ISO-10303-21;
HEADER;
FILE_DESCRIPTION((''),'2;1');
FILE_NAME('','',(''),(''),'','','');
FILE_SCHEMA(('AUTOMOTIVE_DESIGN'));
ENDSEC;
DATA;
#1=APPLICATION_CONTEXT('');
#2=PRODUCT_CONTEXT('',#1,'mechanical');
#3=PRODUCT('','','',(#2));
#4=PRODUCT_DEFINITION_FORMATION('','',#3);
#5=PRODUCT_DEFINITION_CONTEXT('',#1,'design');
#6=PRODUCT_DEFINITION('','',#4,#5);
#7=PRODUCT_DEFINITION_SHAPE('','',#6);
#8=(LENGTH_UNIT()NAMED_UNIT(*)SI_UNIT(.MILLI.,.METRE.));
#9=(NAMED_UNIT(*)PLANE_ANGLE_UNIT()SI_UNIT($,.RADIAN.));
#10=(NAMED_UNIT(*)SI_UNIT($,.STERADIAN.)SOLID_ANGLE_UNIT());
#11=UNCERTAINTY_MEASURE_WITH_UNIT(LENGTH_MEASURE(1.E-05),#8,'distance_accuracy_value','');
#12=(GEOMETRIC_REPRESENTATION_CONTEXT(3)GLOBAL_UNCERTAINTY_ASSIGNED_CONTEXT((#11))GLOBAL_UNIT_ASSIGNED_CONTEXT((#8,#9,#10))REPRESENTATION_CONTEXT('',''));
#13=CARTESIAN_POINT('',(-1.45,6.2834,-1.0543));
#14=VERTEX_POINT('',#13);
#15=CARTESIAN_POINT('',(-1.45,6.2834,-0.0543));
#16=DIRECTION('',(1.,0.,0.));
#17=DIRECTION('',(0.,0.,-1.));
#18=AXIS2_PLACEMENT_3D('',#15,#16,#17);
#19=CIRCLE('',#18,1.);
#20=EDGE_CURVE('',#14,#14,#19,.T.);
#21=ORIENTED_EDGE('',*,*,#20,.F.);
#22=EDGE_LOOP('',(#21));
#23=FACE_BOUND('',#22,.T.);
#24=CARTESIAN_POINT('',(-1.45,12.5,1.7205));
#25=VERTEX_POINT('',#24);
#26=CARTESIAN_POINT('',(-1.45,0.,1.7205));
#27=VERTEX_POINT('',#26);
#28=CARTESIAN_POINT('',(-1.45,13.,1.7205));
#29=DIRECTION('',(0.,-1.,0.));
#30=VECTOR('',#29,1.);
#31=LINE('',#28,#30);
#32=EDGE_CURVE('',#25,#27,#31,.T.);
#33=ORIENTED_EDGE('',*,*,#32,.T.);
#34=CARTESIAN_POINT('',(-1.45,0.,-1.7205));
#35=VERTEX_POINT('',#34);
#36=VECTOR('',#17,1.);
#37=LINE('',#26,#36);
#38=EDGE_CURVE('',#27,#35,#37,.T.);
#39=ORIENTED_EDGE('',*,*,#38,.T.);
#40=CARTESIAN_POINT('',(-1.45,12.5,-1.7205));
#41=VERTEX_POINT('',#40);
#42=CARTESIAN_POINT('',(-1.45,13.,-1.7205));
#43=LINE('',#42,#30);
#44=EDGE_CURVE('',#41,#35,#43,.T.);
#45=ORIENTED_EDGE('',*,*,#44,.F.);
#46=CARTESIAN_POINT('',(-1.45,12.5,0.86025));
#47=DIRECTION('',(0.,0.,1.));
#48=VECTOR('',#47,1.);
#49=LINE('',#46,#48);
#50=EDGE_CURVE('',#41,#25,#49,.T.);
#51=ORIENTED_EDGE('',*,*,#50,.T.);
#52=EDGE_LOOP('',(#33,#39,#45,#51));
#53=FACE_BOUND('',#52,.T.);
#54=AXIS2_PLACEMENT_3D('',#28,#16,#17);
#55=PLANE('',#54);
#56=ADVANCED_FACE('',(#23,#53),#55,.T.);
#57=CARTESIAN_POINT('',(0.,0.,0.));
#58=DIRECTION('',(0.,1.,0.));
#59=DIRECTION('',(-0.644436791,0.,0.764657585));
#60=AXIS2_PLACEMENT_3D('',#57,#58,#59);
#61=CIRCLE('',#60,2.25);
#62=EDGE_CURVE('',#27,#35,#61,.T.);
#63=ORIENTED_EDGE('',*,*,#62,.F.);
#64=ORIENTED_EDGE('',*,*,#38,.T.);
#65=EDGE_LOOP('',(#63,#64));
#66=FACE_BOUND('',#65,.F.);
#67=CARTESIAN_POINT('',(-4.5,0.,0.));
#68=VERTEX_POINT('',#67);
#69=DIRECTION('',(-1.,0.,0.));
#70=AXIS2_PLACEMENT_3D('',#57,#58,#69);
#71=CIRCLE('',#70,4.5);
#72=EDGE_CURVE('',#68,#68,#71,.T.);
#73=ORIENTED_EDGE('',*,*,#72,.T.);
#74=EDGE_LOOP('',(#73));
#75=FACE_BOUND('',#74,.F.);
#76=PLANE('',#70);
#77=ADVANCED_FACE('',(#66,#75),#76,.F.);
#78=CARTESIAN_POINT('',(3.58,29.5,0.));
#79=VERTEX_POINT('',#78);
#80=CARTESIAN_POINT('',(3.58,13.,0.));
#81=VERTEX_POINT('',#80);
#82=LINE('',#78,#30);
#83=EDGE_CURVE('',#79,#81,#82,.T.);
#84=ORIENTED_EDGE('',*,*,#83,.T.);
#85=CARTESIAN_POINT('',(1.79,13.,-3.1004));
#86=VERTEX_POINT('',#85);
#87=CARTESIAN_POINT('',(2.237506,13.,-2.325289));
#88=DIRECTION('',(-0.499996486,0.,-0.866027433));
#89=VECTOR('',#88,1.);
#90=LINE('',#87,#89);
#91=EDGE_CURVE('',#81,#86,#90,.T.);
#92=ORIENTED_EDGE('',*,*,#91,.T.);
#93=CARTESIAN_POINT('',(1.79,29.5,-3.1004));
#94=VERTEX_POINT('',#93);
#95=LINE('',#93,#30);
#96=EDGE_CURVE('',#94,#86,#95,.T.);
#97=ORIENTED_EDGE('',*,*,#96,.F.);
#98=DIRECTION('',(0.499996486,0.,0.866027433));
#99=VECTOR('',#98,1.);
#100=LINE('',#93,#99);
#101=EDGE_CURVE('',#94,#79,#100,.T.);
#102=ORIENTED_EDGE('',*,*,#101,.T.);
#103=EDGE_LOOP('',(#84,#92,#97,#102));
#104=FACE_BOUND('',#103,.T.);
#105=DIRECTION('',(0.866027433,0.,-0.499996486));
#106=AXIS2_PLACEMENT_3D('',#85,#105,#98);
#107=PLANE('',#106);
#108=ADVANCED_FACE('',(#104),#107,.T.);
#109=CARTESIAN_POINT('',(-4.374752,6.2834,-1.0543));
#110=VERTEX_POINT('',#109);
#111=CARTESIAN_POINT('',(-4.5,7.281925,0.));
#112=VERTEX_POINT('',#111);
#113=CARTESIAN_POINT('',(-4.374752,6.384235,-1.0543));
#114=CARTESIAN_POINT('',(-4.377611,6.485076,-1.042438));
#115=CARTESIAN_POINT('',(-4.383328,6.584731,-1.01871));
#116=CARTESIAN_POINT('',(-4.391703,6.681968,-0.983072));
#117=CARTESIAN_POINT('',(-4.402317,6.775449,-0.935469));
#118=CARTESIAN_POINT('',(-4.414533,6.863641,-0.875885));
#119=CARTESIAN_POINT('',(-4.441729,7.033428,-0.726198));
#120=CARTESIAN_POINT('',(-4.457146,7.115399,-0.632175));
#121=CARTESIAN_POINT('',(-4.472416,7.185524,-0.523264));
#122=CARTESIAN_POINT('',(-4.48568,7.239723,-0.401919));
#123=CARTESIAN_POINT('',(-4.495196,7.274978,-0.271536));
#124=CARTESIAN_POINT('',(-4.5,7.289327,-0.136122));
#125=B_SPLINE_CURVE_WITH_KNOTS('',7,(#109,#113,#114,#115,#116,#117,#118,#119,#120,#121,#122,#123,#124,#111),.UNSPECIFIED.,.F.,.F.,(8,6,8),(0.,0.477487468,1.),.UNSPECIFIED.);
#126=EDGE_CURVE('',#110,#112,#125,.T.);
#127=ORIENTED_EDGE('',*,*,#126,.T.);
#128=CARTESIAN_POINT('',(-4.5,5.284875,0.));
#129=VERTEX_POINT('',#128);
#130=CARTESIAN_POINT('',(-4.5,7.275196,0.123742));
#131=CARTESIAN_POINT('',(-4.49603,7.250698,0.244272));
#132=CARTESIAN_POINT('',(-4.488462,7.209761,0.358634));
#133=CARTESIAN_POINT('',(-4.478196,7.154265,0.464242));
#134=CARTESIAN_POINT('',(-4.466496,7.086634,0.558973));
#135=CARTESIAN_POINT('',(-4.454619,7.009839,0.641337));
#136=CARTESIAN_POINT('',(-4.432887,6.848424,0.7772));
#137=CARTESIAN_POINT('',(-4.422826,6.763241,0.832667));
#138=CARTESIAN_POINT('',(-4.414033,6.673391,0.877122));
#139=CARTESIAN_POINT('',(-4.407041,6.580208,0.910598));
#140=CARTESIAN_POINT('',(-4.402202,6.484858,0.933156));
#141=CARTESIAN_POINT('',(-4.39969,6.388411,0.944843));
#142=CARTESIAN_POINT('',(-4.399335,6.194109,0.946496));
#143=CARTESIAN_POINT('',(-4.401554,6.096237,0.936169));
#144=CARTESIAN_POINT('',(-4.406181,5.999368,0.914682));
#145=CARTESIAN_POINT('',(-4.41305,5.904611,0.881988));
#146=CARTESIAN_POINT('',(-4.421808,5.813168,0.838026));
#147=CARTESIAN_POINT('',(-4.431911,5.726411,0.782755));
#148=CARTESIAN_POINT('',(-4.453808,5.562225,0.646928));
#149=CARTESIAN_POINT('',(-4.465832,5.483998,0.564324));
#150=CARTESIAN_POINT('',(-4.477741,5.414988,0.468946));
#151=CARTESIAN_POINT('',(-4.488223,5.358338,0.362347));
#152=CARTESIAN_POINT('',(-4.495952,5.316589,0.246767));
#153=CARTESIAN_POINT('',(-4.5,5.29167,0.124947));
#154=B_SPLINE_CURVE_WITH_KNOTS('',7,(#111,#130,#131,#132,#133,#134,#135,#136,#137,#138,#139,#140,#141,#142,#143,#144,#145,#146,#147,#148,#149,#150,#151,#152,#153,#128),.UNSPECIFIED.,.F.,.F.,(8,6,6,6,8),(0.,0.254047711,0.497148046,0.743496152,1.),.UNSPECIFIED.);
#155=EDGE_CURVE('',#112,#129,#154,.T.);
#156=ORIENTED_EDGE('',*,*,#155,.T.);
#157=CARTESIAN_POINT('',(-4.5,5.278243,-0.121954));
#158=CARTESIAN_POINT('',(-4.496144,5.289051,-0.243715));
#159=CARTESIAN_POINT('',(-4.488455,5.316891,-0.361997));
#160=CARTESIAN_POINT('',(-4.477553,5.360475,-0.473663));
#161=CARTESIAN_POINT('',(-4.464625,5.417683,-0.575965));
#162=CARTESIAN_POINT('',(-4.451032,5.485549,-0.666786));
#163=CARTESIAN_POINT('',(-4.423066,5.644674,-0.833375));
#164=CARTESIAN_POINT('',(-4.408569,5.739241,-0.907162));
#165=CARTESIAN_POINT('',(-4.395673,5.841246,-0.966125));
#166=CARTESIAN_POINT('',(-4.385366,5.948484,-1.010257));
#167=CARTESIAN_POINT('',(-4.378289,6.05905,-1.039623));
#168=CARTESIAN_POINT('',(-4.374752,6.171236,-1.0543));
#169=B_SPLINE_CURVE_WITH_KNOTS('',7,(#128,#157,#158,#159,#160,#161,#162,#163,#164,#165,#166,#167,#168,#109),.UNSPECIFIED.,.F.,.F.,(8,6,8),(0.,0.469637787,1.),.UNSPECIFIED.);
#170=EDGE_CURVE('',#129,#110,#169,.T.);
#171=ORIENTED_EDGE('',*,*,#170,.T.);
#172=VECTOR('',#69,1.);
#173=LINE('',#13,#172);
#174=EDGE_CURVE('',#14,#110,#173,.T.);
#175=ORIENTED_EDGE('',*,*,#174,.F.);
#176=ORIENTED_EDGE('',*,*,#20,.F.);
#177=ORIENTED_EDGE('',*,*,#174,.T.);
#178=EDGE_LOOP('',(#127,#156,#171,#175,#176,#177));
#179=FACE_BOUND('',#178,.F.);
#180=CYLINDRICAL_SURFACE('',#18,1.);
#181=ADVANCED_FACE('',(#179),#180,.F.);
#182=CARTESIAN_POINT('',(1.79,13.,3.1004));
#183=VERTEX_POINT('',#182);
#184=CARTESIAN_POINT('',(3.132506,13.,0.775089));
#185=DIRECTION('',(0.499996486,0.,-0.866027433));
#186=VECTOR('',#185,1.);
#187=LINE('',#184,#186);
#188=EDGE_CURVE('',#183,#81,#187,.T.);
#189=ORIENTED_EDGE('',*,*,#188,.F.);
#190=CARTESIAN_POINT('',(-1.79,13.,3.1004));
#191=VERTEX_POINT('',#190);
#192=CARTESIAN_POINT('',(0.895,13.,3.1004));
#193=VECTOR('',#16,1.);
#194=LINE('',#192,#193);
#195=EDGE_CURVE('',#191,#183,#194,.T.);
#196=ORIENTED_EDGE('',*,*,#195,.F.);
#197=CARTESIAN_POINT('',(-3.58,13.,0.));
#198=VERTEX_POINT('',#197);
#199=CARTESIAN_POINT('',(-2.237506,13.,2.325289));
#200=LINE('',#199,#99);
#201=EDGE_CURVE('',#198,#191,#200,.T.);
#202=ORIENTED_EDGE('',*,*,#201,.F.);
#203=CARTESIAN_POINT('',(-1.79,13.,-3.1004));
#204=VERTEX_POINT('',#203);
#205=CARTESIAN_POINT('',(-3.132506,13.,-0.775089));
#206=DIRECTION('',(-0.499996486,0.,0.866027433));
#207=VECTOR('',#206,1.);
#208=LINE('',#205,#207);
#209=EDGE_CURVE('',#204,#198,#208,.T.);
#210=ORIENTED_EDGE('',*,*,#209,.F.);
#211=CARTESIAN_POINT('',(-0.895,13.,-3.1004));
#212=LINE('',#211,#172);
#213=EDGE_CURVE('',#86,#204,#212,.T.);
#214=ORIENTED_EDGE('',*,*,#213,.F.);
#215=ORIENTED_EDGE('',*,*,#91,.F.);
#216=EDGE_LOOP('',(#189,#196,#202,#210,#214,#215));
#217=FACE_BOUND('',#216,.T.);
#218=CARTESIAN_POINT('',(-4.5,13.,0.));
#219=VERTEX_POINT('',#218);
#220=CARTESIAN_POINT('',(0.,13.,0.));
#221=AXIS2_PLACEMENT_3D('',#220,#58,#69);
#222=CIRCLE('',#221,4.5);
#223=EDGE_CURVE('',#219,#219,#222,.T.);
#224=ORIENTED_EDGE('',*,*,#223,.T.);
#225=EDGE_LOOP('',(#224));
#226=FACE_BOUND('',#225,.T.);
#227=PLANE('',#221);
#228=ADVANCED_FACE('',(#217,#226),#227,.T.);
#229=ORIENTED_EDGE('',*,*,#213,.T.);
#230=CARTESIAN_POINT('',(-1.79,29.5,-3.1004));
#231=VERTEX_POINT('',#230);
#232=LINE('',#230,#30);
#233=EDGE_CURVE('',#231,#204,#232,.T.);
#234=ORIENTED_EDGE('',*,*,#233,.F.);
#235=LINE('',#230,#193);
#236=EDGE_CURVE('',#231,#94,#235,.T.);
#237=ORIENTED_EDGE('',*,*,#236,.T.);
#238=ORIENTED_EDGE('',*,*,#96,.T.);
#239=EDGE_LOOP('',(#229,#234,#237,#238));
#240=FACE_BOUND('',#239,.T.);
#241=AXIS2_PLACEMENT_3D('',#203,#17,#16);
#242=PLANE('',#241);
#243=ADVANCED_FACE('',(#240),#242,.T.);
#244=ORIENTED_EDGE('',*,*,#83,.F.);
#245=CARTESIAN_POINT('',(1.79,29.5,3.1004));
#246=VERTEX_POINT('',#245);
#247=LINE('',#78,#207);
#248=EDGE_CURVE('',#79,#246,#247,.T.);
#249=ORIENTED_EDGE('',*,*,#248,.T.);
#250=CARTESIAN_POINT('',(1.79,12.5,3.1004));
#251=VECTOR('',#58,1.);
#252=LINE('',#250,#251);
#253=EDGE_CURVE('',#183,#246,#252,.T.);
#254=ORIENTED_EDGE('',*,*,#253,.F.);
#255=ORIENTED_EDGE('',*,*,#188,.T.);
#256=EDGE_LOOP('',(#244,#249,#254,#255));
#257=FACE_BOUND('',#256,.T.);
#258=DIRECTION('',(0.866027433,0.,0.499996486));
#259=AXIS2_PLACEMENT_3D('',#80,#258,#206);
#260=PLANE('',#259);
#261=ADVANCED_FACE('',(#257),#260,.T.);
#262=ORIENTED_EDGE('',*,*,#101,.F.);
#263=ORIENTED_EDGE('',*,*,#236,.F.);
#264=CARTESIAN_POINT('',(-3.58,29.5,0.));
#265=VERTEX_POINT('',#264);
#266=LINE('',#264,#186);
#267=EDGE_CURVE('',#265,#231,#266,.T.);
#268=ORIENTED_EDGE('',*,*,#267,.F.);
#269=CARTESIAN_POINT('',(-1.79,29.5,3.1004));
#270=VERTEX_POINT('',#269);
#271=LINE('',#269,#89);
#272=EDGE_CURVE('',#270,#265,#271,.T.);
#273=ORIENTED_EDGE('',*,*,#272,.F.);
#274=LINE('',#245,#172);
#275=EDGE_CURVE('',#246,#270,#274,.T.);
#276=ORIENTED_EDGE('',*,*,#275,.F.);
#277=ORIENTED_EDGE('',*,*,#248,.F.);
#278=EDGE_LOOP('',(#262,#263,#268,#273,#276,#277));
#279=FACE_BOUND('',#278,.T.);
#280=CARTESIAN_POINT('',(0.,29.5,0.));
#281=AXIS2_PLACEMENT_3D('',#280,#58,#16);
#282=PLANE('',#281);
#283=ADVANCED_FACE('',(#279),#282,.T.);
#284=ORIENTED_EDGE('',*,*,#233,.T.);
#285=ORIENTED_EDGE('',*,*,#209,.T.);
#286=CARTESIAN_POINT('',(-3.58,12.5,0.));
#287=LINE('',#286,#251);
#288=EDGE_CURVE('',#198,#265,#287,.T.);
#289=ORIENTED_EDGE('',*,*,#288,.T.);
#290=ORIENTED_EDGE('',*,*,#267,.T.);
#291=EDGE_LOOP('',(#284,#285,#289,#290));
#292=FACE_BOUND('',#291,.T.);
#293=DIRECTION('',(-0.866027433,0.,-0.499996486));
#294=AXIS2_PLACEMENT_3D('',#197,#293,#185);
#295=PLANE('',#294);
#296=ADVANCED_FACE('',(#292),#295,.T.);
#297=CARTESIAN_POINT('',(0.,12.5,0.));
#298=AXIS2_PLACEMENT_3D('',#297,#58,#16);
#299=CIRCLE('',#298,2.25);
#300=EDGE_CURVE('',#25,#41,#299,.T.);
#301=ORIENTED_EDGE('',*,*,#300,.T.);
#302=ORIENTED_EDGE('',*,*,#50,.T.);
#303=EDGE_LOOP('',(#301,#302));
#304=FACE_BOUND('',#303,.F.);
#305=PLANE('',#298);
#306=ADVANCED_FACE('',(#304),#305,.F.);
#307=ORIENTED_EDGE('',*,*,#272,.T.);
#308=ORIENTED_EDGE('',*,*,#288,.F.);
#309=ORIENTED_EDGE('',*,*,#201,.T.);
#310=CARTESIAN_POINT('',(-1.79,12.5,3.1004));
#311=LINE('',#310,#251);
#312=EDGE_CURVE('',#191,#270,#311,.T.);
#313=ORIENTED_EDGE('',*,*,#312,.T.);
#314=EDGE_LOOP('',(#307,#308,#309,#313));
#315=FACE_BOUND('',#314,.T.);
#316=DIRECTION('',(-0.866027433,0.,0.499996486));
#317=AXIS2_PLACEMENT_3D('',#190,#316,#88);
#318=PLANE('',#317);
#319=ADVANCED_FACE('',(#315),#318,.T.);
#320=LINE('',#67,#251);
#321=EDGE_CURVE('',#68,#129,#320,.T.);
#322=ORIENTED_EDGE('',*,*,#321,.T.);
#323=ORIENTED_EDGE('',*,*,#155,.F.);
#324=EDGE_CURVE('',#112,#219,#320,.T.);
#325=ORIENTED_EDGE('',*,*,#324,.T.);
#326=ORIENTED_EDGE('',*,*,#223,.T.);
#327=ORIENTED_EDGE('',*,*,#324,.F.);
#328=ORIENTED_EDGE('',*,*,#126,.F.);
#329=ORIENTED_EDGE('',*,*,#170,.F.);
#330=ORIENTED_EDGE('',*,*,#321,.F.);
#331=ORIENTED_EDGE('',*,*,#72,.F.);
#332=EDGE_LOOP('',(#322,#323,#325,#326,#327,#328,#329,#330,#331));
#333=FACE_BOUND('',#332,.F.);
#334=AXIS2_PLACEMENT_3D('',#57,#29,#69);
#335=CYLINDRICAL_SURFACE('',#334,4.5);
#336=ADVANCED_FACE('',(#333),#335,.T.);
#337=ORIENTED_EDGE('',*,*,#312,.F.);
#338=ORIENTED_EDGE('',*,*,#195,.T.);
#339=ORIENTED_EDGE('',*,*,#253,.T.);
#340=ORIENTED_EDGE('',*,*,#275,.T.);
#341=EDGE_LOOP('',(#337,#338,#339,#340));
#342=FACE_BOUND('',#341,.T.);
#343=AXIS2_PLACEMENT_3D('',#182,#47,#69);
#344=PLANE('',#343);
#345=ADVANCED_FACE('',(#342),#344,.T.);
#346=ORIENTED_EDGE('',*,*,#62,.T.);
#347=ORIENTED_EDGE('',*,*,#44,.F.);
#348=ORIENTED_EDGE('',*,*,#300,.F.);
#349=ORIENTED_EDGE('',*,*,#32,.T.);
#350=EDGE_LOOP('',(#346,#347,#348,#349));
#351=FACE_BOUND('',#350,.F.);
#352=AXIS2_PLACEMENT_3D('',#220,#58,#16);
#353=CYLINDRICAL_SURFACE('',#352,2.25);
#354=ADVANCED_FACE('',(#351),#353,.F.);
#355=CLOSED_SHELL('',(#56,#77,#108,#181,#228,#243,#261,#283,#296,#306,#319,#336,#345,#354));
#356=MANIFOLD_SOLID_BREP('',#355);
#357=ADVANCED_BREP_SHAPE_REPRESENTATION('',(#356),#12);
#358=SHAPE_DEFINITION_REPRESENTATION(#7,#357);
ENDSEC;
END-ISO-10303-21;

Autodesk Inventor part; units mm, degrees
ref_plane "YZ Plane" through (0, 0, 0) normal (1, 0, 0) x (0, 1, 0)
ref_plane "XZ Plane" through (0, 0, 0) normal (0, 1, 0) x (-1, 0, 0)
ref_plane "XY Plane" through (0, 0, 0) normal (0, 0, 1) x (1, 0, 0)
sketch "Sketch4" plane through (0, 0, 0) normal (0, 1, 0) x (-1, 0, 0)
  circle A0 centre (0, 0) radius 4.5
  dimension "d6" = 9
extrude "Extrusion2" add sketch "Sketch4" along normal blind 13
sketch "Sketch5" plane through (0, 13, 0) normal (0, 1, 0) x (1, 0, 0)
  circle A0 centre (0, 0) radius 2.25
  line L0 (-1.45, -1.7205) -> (-1.45, 1.7205)
  dimension "d9" = 4.5
  dimension "d10" = 3.7
extrude "Extrusion3" cut sketch "Sketch5" against normal blind 13 contours A0 L0 picked at (-0.101, 0.4724)
sketch "Sketch7" plane through (0, 13, 0) normal (0, 1, 0) x (1, 0, 0)
  line L0 (-3.58, 0) -> (-1.79, 3.1004)
  line L1 (-1.79, 3.1004) -> (1.79, 3.1004)
  line L2 (1.79, 3.1004) -> (3.58, 0)
  line L3 (3.58, 0) -> (1.79, -3.1004)
  line L4 (1.79, -3.1004) -> (-1.79, -3.1004)
  line L5 (-1.79, -3.1004) -> (-3.58, 0)
  point P0 (0, 0)
  point P1 (0, 0)
  dimension "d15" = 7.16
extrude "Extrusion5" add sketch "Sketch7" along normal blind 16.5 and the other way blind 0.5
sketch "Sketch15" plane through (-1.45, 0, 1.7205) normal (1, 0, 0) x (0, 0, -1)
  circle A0 centre (1.7748, 6.2834) radius 1
  point P0 (1.7205, 0)
  dimension "d41" = 2
extrude "Extrusion11" cut sketch "Sketch15" against normal blind 4.25
sketch "Sketch9" plane through (-1.45, 0, 1.3129) normal (1, 0, 0) x (0, 0, -1)
  circle A0 centre (1.3129, 5.7735) radius 1
  point P0 (1.3129, 0)
  dimension "d21" = 2
sketch "Sketch10" plane through (-3.75, 5.7735, 0) normal (-1, 0, 0) x (0, 0, 1)
  point P0 (0, -5.7735)
  point P1 (-0.001, 0.0019)
sketch "Sketch1" plane through (0, 0, 0) normal (0, 1, 0) x (-1, 0, 0)
  circle A0 centre (0, 0) radius 12.5
  dimension "d0" = 25
  dimension "d3" = 4
  dimension "d4" = 7
  dimension "d5" = 3.5
properties part number "As JGA To Mecanum 2_3DPrint"
